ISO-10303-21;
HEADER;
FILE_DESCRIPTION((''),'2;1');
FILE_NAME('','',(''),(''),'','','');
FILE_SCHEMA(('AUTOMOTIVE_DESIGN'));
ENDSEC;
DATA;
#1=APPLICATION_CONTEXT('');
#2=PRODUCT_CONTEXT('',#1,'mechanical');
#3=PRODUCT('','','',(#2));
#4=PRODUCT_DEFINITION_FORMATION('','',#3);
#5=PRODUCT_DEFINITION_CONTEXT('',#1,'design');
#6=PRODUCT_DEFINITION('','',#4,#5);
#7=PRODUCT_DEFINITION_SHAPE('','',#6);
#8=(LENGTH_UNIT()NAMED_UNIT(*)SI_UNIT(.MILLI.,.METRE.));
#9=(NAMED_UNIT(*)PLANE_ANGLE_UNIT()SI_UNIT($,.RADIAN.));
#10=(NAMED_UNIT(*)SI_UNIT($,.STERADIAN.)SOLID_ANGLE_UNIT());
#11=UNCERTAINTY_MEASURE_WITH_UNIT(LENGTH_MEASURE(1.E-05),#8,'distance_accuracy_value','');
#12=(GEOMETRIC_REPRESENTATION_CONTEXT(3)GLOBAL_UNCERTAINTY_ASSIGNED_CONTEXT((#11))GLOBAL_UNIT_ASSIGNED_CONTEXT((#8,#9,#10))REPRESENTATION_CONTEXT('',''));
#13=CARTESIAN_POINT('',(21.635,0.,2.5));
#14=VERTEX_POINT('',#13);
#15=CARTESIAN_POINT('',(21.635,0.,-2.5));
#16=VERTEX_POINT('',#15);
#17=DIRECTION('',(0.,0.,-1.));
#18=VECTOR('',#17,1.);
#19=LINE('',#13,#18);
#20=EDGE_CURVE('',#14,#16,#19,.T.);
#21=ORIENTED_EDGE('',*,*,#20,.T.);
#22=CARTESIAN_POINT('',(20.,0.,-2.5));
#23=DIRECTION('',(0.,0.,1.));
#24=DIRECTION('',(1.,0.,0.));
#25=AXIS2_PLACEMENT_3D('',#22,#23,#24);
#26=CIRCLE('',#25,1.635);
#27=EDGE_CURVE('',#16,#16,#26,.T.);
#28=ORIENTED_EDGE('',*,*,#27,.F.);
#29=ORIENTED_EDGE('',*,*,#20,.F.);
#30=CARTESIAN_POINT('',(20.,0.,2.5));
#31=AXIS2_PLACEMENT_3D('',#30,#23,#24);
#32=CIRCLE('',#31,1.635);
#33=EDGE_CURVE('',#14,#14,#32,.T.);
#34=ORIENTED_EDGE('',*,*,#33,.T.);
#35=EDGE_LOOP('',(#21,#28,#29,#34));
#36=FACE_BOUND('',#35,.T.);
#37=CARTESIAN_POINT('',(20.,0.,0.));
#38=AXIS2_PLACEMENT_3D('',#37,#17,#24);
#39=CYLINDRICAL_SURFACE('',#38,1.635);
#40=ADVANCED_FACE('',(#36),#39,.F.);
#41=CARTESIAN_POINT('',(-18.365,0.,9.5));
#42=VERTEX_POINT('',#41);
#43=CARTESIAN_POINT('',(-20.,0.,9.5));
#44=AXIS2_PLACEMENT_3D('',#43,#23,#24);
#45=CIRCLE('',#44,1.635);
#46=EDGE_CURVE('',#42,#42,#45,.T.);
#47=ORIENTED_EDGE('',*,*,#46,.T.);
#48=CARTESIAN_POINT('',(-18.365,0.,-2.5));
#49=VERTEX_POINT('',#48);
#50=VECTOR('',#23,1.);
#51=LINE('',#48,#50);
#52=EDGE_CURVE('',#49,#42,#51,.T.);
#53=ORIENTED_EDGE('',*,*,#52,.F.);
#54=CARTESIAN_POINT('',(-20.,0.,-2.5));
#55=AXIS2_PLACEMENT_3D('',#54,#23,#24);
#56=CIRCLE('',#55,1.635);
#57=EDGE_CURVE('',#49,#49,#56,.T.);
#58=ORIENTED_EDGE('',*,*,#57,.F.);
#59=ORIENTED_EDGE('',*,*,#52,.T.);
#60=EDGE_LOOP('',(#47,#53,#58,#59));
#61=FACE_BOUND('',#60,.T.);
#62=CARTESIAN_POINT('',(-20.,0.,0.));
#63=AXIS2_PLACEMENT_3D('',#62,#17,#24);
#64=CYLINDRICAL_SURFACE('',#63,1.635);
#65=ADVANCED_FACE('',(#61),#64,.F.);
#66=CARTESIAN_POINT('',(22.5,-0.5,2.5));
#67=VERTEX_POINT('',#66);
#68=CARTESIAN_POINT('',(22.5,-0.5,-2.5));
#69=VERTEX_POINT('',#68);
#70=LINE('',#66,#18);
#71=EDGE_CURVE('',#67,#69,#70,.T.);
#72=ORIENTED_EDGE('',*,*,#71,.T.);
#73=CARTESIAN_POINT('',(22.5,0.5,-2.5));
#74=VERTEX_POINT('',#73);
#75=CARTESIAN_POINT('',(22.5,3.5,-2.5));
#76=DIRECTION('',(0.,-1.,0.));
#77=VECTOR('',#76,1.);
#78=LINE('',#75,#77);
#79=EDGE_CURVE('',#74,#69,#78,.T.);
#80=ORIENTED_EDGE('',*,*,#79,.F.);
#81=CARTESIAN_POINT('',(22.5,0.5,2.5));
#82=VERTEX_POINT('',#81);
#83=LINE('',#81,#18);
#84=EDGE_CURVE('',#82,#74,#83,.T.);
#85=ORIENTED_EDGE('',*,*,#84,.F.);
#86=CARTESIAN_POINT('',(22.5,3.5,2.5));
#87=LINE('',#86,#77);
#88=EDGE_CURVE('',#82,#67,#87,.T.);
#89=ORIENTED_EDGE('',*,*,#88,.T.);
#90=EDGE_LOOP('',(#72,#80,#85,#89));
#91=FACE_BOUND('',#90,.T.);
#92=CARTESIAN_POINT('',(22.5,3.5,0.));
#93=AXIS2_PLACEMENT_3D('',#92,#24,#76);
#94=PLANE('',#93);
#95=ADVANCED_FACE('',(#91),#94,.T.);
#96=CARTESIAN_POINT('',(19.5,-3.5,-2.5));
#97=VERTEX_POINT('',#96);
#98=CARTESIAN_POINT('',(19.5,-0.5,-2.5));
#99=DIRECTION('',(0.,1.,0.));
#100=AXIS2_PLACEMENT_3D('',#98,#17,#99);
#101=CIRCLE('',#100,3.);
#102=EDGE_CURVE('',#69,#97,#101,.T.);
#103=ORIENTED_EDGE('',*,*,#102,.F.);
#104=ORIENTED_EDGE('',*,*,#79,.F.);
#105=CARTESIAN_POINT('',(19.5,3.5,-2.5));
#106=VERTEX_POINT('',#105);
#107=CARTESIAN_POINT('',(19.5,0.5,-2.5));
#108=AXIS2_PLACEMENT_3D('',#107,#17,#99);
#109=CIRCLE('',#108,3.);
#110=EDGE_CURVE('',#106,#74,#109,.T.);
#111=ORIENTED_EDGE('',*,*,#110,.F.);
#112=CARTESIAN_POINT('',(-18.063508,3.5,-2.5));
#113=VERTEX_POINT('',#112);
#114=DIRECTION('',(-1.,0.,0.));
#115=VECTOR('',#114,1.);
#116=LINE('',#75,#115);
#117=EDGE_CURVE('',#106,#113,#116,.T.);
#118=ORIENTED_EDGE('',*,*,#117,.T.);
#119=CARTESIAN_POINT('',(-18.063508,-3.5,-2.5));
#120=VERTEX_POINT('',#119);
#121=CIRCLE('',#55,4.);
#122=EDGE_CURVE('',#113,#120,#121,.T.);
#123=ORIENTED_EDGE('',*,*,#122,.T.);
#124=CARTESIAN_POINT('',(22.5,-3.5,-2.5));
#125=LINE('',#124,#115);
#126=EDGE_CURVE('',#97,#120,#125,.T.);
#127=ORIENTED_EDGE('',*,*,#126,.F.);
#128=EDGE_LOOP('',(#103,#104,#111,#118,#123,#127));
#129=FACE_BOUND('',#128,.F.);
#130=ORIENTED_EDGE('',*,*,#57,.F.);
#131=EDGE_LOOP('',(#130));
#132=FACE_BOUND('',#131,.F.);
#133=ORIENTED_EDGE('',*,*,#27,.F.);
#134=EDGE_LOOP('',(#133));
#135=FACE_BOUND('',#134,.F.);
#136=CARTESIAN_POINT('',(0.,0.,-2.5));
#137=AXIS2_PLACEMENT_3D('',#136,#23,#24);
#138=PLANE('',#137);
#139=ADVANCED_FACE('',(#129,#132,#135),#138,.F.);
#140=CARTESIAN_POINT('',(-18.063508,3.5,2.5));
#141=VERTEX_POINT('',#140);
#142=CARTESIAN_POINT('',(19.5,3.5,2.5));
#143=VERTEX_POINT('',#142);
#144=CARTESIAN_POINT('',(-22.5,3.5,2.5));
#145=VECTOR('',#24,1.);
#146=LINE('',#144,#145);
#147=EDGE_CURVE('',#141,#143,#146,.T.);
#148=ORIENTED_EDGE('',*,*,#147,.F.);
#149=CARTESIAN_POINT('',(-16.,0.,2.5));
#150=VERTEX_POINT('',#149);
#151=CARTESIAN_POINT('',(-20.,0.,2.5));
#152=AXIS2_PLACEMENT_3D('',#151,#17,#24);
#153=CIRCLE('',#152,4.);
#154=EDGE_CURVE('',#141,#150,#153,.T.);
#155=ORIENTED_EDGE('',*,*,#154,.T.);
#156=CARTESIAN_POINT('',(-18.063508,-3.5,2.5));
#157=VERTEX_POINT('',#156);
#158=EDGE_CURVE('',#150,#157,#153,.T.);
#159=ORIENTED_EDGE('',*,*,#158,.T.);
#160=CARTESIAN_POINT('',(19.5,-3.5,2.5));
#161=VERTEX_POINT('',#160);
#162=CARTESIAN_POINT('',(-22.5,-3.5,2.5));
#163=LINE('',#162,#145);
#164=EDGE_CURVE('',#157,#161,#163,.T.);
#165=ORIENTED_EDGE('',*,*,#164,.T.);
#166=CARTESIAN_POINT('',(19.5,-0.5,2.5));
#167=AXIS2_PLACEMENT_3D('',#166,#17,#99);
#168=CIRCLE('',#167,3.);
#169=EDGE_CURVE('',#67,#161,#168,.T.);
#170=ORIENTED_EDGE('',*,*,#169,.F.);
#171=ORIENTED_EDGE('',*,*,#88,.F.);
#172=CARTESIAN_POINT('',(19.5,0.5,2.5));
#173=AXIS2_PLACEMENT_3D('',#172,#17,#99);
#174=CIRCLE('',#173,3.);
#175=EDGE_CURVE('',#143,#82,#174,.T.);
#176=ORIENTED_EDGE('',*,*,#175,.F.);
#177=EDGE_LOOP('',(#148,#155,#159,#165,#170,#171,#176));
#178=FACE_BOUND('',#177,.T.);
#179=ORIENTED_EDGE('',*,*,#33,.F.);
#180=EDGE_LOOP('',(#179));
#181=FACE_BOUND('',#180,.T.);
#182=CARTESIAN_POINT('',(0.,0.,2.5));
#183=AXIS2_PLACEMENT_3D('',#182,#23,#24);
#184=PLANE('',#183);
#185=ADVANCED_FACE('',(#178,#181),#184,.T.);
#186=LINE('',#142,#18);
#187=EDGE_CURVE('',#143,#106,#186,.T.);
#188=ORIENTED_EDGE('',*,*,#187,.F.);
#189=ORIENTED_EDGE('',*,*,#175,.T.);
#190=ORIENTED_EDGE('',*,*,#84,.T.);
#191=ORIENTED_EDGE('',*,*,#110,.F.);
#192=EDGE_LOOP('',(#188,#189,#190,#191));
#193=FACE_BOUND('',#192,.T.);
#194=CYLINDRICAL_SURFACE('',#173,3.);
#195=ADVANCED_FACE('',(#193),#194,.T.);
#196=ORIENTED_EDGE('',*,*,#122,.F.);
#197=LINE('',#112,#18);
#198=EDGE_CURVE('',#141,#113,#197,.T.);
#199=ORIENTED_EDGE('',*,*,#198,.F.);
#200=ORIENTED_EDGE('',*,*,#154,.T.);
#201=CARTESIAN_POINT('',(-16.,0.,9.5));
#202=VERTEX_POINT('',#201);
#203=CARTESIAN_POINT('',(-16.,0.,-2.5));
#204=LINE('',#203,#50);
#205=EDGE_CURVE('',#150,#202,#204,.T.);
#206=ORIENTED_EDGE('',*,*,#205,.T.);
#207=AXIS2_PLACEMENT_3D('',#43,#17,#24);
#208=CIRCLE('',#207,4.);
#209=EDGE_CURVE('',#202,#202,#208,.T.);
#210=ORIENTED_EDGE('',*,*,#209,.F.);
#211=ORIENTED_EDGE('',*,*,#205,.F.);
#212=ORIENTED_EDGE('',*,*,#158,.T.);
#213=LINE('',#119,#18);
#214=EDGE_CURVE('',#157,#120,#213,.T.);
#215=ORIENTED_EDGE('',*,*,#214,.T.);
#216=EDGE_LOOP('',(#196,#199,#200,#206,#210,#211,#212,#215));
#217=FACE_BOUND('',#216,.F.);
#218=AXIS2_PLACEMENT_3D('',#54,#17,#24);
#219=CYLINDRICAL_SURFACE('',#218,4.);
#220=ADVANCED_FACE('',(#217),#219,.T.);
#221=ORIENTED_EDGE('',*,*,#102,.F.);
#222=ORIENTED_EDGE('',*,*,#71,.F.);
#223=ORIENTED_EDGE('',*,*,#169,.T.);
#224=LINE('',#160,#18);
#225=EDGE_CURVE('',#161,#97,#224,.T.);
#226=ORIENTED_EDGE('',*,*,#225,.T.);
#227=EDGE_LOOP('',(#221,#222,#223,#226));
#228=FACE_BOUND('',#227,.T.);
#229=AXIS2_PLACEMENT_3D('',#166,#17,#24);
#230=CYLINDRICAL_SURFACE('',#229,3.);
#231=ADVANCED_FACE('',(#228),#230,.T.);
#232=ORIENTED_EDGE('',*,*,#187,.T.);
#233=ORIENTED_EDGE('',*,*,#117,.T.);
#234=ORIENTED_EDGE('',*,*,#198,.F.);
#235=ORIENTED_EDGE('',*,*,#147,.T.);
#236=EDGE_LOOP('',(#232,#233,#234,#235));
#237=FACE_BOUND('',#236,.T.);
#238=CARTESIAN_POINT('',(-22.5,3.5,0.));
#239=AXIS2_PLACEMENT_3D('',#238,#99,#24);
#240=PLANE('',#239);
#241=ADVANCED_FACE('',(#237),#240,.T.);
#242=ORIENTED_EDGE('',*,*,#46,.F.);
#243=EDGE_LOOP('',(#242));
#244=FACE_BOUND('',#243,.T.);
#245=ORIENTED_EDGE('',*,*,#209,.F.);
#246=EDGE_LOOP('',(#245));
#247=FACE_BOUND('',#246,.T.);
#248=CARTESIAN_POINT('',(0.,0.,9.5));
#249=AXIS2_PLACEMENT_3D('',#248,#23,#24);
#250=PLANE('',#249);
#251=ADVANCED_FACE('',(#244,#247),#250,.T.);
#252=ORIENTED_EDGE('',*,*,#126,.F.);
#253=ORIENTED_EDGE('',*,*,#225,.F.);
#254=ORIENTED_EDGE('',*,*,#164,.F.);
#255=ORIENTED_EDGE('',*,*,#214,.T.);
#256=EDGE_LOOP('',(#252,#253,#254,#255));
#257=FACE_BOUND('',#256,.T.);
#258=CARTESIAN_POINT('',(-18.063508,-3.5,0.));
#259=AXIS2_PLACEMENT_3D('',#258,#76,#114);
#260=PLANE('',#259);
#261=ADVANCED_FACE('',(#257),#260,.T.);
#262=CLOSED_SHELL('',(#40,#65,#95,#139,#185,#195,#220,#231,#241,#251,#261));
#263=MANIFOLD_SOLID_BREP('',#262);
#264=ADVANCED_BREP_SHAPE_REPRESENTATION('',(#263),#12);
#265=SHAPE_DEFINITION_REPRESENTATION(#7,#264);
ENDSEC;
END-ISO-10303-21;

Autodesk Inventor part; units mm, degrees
ref_plane "YZ Plane" through (0, 0, 0) normal (1, 0, 0) x (0, 1, 0)
ref_plane "XZ Plane" through (0, 0, 0) normal (0, 1, 0) x (-1, 0, 0)
ref_plane "XY Plane" through (0, 0, 0) normal (0, 0, 1) x (1, 0, 0)
sketch "スケッチ1" plane through (0, 0, 0) normal (0, 0, 1) x (1, 0, 0)
  line L0 (-22.5, 3.5) -> (22.5, 3.5)
  line L1 (22.5, 3.5) -> (22.5, -3.5)
  line L2 (22.5, -3.5) -> (-22.5, -3.5)
  line L3 (-22.5, -3.5) -> (-22.5, 3.5)
  line L4 (-22.5, 3.5) -> (22.5, -3.5) construction
  line L5 (22.5, 3.5) -> (-22.5, -3.5) construction
  line L6 (0, -11.2) -> (0, 11.2) construction
  line L7 (-38.51, 0) -> (35.06, 0) construction
  circle A0 centre (-20, 0) radius 4.55
  line L8 (22.5, -3.5) -> (22.5, 3.5)
  circle A1 centre (20, 0) radius 4.55
  circle A2 centre (20, 0) radius 1.635
  circle A3 centre (-20, 0) radius 1.635
  circle A4 centre (-20, 0) radius 4
  line L9 (-20, 4) -> (-20, -4) construction
  circle A5 centre (-20, 6) radius 2
  circle A6 centre (-20, -6) radius 2
  circle A7 centre (-20, 0) radius 4
  circle A8 centre (-20, 0) radius 8
  point P0 (0, 0)
  point P1 (-17.0927, 3.5)
  point P2 (-22.9073, 3.5)
  point P3 (-22.9073, -3.5)
  point P4 (-17.0927, -3.5)
  point P5 (17.0927, 3.5)
  point P6 (17.0927, -3.5)
  point P7 (22.9073, -3.5)
  point P8 (22.9073, 3.5)
  dimension "d1" = 7
  dimension "d2" = 20
  dimension "d3" = 45
  dimension "d4" = 9.1
  dimension "d13" = 3.27
  dimension "d14" = 3.27
  dimension "d15" = 8
  dimension "d16" = 4
  dimension "d17" = 4
  dimension "d18" = 12
extrude "押し出し1" add sketch "スケッチ1" along normal mid plane 5 contours L0 A4 L3 | L0 A4 L2 L3 | L0 A0 L2 A4 | A4 L2 L3 | L0 A8 L2 A0 | L0 A1 L2 A8 | L0 L1 L2 A1 picked at (19.7985, -2.8744)
fillet "フィレット1" radius 3 4 edges at (-22.5, 3.5, 0) (-22.5, -3.5, 0) (22.5, -3.5, 0) (22.5, 3.5, 0)
extrude "押し出し3" add sketch "スケッチ1" along normal blind 12 from surface at -2.5 contours A4 L0 | L0 A4 L2 L3 | L3 A4 | L2 A4
properties part number "link_arm_1"
